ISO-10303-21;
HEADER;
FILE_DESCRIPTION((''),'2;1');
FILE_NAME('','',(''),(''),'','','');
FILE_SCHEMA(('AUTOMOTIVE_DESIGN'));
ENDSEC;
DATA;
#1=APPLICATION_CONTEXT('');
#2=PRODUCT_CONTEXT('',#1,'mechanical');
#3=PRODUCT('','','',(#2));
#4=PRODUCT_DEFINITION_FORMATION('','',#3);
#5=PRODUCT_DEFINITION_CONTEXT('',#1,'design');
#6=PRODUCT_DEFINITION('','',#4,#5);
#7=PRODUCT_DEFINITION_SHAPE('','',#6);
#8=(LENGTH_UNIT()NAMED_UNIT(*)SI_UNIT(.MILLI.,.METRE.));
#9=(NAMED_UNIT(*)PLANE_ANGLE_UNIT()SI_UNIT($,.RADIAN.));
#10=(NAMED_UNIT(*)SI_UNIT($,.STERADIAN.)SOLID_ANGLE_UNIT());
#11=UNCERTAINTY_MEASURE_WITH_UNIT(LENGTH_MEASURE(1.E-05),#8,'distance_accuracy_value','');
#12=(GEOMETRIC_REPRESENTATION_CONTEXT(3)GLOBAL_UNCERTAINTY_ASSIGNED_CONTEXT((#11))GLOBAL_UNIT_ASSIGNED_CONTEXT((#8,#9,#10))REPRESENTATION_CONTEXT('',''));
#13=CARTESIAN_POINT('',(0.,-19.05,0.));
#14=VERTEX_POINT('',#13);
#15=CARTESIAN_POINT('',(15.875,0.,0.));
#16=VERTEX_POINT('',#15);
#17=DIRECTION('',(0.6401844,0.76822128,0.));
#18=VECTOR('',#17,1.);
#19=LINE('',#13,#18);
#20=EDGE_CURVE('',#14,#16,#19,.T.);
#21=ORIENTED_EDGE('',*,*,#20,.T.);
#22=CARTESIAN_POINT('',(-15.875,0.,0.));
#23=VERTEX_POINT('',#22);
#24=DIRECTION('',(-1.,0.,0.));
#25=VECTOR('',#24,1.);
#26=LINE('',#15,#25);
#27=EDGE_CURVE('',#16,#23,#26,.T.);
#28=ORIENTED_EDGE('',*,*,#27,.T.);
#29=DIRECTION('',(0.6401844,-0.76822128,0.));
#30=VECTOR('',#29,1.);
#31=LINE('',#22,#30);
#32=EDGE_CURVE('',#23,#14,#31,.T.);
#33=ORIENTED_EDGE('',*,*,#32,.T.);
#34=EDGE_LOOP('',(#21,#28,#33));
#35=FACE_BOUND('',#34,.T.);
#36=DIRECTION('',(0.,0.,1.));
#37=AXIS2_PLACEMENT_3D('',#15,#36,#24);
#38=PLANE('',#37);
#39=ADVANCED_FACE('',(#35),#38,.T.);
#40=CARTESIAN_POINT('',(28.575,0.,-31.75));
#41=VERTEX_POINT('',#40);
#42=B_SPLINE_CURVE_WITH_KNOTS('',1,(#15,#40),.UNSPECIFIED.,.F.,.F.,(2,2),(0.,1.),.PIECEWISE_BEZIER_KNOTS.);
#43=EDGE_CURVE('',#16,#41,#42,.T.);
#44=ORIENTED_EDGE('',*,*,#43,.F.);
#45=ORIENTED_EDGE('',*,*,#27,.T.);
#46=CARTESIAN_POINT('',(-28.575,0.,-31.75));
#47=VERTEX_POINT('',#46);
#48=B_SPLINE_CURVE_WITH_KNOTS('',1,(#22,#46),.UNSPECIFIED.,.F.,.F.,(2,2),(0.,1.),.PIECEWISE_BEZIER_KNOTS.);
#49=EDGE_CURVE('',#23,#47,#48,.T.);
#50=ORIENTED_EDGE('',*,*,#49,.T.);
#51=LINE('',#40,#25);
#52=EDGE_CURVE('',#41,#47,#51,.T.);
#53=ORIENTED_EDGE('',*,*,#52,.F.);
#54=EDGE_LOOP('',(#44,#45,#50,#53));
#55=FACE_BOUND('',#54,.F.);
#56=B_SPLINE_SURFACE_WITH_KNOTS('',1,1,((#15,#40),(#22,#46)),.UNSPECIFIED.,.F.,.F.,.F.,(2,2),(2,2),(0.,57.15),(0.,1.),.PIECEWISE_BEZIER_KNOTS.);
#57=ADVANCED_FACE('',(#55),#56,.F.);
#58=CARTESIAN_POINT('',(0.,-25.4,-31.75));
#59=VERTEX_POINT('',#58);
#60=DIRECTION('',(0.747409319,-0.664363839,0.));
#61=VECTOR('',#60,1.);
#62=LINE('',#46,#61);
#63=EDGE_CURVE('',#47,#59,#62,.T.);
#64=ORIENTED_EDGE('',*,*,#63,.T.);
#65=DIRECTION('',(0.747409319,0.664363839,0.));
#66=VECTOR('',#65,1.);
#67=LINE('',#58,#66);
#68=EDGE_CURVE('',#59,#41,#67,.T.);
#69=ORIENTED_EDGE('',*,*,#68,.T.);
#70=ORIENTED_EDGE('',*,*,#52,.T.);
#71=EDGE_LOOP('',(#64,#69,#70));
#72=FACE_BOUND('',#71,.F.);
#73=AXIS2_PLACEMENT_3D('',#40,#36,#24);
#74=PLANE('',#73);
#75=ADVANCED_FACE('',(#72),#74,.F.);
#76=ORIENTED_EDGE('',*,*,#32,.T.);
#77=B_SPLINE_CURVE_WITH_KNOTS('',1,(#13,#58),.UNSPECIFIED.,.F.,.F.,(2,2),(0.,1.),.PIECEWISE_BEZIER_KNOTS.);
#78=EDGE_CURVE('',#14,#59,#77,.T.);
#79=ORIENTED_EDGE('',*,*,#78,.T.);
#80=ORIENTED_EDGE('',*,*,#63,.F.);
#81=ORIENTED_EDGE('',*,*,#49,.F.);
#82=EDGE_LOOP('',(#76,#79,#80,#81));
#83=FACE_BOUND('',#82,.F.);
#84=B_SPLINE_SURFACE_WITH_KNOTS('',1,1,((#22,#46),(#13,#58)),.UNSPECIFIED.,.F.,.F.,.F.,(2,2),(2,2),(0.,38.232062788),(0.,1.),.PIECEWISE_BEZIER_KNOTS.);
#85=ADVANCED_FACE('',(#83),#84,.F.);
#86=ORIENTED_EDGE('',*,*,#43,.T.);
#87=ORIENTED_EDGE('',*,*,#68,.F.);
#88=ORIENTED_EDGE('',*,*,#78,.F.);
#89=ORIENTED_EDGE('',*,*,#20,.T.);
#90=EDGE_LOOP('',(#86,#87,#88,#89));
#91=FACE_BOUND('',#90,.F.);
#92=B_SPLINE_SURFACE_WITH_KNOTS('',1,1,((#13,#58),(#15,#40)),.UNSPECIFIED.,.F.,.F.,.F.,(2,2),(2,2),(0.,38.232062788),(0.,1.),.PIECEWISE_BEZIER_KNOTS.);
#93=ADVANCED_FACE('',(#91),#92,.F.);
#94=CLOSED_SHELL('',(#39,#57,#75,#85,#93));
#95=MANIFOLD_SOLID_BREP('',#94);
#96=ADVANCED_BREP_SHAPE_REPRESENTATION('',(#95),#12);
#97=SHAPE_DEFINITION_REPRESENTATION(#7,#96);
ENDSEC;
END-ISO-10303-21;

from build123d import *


with BuildPart() as f3:
    # F0 (on Top) → F3 section 0
    with BuildSketch(Plane.XY):
        Polygon((15.875, 0), (-15.875, 0), (0, -19.05), align=None)
    # F2 (on offset) → F3 section 1
    with BuildSketch(Plane.XY.offset(-31.75)):
        Polygon((28.575, 0), (-28.575, 0), (0, -25.4), align=None)
    loft()


solid = f3.part
